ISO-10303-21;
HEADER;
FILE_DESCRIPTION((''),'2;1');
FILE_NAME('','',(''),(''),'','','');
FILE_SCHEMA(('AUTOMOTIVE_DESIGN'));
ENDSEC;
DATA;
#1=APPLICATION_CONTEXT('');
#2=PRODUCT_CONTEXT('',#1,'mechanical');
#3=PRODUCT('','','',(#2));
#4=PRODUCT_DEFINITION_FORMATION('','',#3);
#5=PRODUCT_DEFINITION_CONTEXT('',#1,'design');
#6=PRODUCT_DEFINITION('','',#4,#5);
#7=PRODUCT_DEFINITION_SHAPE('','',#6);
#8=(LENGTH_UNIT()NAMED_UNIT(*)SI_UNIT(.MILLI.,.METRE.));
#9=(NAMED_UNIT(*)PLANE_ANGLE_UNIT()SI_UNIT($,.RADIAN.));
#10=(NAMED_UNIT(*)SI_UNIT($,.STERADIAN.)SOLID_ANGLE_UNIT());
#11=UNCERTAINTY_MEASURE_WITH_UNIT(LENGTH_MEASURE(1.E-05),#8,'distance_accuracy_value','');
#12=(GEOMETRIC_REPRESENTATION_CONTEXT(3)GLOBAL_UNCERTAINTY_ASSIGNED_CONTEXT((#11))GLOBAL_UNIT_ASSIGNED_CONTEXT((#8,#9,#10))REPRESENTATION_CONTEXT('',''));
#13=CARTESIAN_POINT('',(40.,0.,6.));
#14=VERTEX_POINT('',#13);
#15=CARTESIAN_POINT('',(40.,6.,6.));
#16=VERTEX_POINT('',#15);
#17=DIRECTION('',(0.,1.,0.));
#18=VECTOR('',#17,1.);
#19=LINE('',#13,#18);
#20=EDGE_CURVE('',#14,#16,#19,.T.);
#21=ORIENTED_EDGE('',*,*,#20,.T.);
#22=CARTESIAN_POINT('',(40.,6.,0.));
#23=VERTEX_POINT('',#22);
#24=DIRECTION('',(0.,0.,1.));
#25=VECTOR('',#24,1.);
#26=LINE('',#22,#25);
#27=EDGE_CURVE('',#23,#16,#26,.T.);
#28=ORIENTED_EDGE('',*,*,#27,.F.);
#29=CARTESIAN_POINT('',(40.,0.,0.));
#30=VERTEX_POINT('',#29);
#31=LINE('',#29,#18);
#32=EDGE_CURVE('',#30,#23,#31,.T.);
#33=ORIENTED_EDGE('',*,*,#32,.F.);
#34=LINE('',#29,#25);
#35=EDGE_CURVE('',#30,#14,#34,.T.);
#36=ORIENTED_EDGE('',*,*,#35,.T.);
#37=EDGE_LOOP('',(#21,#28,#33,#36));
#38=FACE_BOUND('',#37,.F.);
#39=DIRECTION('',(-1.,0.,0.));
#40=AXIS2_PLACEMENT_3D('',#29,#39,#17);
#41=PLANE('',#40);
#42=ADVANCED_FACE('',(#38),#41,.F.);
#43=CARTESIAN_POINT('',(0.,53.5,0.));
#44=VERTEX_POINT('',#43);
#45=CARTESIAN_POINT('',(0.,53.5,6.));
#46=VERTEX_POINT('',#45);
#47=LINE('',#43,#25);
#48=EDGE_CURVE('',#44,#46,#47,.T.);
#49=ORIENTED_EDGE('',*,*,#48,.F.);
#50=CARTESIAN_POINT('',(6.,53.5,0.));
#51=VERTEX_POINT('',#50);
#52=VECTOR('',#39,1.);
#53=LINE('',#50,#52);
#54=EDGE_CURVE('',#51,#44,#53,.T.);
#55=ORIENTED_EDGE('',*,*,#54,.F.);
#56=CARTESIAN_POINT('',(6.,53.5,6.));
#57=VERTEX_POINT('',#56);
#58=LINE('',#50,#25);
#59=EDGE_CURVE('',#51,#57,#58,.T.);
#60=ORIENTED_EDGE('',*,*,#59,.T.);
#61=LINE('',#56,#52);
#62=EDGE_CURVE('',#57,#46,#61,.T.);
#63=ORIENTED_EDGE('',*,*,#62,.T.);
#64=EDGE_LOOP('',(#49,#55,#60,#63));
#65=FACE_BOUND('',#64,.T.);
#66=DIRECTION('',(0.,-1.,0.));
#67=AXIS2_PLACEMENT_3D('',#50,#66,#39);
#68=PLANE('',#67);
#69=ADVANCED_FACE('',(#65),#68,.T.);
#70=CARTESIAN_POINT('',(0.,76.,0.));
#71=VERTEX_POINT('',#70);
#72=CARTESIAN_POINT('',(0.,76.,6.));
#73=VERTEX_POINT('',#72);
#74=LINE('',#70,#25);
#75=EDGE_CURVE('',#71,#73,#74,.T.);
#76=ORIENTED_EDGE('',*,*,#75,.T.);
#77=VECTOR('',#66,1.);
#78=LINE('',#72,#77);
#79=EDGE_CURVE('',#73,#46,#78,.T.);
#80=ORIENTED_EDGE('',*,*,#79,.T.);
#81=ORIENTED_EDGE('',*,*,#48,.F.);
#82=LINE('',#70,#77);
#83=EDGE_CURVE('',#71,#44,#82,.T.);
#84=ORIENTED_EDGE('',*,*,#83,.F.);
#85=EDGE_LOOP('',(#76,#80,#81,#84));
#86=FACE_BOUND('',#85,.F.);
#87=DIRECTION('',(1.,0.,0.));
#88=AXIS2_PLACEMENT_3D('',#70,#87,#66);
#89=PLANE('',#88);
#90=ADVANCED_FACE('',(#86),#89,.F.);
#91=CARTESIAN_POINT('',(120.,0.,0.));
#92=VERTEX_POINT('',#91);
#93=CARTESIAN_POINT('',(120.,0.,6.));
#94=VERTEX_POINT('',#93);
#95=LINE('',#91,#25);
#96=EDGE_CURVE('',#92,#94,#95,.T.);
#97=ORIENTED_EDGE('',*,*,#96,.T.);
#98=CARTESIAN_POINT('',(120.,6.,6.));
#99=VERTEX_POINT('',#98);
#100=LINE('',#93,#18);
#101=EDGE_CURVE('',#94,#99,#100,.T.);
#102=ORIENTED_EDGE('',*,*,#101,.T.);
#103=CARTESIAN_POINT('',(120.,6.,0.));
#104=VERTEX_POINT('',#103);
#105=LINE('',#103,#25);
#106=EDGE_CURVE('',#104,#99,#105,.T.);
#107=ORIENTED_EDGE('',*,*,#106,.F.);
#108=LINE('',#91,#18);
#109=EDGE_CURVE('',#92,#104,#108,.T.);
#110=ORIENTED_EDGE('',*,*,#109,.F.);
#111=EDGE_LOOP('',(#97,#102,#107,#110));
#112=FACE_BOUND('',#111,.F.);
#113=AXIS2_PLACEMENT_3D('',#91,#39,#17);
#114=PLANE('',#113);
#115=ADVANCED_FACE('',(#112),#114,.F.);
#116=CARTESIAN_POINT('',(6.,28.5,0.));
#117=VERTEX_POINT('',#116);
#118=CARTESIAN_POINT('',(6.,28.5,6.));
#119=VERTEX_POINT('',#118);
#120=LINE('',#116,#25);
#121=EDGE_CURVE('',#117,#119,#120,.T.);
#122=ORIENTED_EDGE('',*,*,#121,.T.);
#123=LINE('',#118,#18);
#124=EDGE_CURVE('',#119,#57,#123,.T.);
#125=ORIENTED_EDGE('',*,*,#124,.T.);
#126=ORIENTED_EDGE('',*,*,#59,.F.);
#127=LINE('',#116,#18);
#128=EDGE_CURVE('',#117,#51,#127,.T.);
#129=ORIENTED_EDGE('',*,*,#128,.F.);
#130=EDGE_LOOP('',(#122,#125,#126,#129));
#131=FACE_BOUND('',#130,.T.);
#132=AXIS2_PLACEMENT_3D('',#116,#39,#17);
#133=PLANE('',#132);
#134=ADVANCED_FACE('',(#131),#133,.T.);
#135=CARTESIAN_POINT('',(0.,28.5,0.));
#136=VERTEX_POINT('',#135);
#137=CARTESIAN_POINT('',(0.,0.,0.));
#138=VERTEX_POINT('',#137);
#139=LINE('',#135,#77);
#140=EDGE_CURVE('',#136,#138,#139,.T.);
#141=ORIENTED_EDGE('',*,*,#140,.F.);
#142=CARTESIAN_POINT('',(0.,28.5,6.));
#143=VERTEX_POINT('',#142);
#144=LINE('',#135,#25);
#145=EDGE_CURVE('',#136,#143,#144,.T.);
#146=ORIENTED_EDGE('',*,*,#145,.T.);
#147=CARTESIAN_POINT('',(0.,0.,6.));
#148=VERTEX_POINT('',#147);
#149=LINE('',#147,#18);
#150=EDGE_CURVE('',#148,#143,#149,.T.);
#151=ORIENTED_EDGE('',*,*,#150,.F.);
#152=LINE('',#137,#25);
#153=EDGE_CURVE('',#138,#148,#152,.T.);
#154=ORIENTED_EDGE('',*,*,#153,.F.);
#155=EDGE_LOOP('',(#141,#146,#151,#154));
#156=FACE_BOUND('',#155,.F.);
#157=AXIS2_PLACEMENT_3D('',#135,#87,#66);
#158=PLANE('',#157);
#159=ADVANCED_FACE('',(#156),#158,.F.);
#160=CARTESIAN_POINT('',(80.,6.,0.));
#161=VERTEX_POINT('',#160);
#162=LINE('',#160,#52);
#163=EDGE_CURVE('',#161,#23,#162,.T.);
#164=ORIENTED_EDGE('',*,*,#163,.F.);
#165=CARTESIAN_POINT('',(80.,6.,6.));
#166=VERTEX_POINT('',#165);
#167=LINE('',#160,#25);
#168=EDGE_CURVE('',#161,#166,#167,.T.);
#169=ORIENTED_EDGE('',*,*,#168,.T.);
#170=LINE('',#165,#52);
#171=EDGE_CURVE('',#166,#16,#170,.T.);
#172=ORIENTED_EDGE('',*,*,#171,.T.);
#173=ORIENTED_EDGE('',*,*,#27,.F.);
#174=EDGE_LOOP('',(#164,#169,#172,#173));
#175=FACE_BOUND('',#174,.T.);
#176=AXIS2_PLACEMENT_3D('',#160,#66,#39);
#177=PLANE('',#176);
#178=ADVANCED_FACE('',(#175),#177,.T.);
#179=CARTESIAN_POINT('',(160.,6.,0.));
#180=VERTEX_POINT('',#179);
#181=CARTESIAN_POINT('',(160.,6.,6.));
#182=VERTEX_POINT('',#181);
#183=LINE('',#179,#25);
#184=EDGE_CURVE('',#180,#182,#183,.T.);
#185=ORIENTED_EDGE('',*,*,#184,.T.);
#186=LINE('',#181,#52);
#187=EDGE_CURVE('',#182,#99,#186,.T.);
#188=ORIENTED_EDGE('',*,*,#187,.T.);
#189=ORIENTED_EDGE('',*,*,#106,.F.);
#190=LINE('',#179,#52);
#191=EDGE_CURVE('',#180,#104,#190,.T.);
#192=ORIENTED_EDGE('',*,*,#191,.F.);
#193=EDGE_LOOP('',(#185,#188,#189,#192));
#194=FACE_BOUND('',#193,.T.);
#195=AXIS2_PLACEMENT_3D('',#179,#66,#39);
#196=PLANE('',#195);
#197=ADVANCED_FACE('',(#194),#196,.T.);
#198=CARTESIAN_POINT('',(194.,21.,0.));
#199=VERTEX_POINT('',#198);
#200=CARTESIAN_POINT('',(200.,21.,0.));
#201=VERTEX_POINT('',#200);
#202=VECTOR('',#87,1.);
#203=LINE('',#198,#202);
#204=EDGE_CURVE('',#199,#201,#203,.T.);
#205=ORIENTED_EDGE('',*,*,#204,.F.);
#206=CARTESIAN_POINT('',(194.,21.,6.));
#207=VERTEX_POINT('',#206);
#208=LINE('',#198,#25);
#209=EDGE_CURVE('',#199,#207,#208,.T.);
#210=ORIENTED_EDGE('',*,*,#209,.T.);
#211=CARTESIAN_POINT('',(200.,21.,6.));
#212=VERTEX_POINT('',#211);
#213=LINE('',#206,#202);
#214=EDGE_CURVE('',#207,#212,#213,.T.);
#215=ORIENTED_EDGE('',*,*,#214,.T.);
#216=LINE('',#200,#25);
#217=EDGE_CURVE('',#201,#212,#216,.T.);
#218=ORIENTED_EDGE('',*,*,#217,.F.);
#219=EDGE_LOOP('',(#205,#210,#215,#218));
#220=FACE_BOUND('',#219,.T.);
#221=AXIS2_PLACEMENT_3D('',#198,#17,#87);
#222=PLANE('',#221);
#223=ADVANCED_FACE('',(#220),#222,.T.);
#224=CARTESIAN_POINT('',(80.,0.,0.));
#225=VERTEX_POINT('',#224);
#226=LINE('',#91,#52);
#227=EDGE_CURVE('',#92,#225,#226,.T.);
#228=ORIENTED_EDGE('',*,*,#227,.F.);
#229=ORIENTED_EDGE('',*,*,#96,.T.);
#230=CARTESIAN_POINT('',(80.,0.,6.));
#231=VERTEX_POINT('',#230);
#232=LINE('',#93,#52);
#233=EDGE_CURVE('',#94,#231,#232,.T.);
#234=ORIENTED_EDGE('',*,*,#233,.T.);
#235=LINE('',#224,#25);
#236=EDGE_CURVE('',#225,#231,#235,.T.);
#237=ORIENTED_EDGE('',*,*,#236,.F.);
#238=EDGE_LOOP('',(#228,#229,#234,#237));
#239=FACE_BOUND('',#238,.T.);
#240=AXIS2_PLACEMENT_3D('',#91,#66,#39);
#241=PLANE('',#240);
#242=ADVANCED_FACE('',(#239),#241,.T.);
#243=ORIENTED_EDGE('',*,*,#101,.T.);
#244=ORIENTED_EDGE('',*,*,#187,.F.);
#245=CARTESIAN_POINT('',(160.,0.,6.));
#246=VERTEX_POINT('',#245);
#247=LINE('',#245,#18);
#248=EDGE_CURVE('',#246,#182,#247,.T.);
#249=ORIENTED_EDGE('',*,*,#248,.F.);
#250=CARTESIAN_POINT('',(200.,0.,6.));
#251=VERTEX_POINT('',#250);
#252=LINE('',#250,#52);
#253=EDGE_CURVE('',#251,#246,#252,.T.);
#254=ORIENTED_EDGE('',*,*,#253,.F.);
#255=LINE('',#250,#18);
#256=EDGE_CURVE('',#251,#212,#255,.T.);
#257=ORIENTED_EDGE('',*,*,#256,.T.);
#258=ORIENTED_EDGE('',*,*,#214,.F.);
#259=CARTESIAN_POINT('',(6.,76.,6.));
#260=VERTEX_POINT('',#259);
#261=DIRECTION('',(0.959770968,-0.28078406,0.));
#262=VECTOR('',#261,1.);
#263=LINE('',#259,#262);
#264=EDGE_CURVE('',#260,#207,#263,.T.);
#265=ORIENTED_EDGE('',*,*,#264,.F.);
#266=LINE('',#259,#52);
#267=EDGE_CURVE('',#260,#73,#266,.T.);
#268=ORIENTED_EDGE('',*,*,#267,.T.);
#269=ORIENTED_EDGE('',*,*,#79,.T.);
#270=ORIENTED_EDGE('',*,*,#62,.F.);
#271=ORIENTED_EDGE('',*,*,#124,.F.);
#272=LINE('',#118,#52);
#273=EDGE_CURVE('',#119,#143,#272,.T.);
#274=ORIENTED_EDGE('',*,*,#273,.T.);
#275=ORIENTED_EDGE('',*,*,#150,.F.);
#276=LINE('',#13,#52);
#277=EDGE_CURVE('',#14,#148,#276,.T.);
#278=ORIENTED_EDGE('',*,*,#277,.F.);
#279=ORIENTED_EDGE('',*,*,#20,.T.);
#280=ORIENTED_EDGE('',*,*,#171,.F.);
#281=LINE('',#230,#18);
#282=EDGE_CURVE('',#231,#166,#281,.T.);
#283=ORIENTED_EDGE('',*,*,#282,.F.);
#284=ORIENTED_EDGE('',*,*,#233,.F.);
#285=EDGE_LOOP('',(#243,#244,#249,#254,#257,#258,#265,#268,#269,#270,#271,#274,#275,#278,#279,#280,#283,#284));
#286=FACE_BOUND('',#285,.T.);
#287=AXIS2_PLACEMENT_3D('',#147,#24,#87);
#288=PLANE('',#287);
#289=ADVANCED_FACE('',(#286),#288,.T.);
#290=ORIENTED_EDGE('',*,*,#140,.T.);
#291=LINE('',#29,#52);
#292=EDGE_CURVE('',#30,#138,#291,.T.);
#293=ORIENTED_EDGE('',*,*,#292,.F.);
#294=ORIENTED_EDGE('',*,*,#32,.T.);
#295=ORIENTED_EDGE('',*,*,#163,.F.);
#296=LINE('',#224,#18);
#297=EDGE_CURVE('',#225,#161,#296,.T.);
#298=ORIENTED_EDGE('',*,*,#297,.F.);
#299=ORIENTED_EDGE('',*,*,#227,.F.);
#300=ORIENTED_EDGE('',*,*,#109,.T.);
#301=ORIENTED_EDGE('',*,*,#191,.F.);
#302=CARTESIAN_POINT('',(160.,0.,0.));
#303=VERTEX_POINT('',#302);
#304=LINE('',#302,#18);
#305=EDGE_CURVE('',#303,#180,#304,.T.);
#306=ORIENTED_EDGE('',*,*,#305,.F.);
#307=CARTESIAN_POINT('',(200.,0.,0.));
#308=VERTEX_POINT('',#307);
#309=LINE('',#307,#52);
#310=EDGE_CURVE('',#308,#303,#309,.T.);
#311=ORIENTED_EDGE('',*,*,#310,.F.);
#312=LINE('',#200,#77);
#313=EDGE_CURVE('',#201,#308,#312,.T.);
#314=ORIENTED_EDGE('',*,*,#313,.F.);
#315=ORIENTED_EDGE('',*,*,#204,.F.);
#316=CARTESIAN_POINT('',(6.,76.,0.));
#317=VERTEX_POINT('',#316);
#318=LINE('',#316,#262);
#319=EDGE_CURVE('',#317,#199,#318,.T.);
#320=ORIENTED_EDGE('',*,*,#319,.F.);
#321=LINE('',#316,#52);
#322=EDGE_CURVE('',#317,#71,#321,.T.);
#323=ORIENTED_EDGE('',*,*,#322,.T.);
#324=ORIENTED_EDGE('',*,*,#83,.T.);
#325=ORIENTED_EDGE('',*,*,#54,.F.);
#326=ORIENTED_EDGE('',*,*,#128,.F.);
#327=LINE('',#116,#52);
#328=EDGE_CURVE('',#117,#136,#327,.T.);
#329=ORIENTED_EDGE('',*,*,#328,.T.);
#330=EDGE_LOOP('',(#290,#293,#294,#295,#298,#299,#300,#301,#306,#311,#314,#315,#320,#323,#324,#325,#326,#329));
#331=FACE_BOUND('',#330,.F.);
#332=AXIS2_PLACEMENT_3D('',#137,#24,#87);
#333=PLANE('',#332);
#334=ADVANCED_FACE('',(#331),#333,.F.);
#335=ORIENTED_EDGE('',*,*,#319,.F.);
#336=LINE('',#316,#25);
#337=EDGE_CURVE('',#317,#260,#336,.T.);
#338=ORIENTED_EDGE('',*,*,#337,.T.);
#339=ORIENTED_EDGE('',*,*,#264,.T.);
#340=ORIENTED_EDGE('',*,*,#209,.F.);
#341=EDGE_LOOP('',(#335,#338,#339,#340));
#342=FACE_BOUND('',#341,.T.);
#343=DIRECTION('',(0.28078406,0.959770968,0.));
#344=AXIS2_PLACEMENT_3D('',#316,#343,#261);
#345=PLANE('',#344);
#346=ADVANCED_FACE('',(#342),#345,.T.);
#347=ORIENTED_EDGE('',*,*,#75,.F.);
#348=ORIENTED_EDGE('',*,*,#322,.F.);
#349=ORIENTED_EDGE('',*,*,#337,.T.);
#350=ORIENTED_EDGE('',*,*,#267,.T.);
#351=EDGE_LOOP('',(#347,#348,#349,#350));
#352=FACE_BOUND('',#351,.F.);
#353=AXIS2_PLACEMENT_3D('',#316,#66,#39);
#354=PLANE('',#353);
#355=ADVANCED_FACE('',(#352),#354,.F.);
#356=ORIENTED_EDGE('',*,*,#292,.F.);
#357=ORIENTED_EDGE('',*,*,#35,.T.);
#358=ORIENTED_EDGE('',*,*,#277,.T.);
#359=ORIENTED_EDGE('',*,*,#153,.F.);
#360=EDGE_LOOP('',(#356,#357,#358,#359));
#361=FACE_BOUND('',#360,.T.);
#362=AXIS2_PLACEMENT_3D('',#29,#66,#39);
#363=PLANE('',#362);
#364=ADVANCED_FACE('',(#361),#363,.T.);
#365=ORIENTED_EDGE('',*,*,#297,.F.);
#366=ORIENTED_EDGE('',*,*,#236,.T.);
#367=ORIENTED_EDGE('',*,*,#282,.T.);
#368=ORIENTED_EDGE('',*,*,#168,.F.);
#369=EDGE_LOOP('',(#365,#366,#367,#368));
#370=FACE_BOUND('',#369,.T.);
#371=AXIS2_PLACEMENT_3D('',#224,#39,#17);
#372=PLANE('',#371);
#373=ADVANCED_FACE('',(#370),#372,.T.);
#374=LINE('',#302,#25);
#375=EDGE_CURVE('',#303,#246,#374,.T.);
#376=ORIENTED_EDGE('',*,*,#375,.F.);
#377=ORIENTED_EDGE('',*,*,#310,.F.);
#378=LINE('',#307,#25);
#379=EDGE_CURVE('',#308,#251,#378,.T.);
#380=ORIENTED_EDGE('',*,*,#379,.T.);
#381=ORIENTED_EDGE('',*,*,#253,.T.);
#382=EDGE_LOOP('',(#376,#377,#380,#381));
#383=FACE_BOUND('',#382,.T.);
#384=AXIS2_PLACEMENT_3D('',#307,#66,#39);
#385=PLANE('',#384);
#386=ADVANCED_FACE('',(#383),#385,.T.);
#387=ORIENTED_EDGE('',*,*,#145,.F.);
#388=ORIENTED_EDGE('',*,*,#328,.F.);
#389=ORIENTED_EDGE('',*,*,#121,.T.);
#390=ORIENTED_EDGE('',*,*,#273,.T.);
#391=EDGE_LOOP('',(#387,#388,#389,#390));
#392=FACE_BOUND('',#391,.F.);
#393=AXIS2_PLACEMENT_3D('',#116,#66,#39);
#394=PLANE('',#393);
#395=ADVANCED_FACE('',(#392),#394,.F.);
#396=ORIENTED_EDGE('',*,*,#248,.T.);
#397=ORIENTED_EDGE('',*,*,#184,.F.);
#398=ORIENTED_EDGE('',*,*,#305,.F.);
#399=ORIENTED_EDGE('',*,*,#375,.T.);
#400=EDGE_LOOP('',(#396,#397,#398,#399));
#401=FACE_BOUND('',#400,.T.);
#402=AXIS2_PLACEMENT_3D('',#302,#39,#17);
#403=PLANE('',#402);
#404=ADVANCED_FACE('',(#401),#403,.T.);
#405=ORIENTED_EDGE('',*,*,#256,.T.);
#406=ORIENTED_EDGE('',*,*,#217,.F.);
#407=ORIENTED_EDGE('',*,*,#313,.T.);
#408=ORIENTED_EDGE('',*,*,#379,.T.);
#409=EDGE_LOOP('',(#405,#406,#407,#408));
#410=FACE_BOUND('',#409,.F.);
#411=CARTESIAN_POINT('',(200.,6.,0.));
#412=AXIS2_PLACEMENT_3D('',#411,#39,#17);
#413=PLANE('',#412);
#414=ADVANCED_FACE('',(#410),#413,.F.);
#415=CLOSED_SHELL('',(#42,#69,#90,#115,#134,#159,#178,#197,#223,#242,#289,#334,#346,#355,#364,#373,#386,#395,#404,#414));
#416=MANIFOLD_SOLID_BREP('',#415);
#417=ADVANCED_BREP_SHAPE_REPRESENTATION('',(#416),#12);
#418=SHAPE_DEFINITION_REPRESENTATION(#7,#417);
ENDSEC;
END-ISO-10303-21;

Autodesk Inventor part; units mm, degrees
ref_plane "YZ Plane" through (0, 0, 0) normal (1, 0, 0) x (0, 1, 0)
ref_plane "XZ Plane" through (0, 0, 0) normal (0, 1, 0) x (-1, 0, 0)
ref_plane "XY Plane" through (0, 0, 0) normal (0, 0, 1) x (1, 0, 0)
ref_plane "Work Plane1" through (0, 0, 0) normal (0, 0, 1) x (1, 0, 0)
sketch "Sketch1" plane through (0, 0, 0) normal (0, 0, 1) x (1, 0, 0)
  line L0 (0, 6) -> (40, 6)
  line L1 (0, 0) -> (0, 6)
  line L2 (40, 0) -> (0, 0)
  line L3 (40, 0) -> (40, 6)
  line L4 (80, 0) -> (80, 6)
  line L5 (80, 6) -> (40, 6)
  line L6 (40, 6) -> (40, 0)
  line L7 (40, 0) -> (80, 0)
  line L8 (80, 6) -> (120, 6)
  line L9 (80, 0) -> (80, 6)
  line L10 (120, 0) -> (80, 0)
  line L11 (120, 0) -> (120, 6)
  line L12 (160, 0) -> (160, 6)
  line L13 (160, 6) -> (120, 6)
  line L14 (120, 6) -> (120, 0)
  line L15 (120, 0) -> (160, 0)
  line L16 (160, 6) -> (200, 6)
  line L17 (160, 0) -> (160, 6)
  line L18 (200, 0) -> (160, 0)
  line L19 (200, 6) -> (200, 0)
  line L20 (200, 6) -> (200, 21)
  line L21 (194, 21) -> (200, 21)
  line L22 (194, 21) -> (194, 6)
  line L23 (194, 6) -> (200, 6)
  line L24 (6, 28.5) -> (0, 28.5)
  line L25 (0, 28.5) -> (0, 6)
  line L26 (6, 6) -> (0, 6)
  line L27 (6, 6) -> (6, 28.5)
  line L28 (0, 53.5) -> (0, 28.5)
  line L29 (6, 28.5) -> (0, 28.5)
  line L30 (6, 28.5) -> (6, 53.5)
  line L31 (6, 53.5) -> (0, 53.5)
  line L32 (6, 53.5) -> (0, 53.5)
  line L33 (6, 53.5) -> (6, 76)
  line L34 (6, 76) -> (0, 76)
  line L35 (0, 76) -> (0, 53.5)
  line L36 (6, 76) -> (194, 21)
extrude "Plate1" add sketch "Sketch1" along normal blind 6 contours L25 L24 L27 L0 | L0 L3 L2 L1 | L27 L30 L33 L36 L22 L16 L13 L8 L5 L0 | L35 L34 L33 L31 | L8 L11 L10 L4 | L16 L19 L18 L12 | L21 L20 L16 L22
equation "\"d0\" = Thickness"
equation "\"BendRadius\" = Thickness"
equation "\"BendReliefWidth\" = Thickness"
equation "\"BendReliefDepth\" = 0.5 * Thickness"
equation "\"CornerReliefSize\" = 4 * Thickness"
equation "\"MinimumRemnant\" = 2 * Thickness"
equation "\"TransitionRadius\" = BendRadius"
equation "\"JacobiRadiusSize\" = BendRadius"
equation "\"GapSize\" = Thickness"
equation "\"Thickness\" = 6"
properties material "Wood (Birch)"
